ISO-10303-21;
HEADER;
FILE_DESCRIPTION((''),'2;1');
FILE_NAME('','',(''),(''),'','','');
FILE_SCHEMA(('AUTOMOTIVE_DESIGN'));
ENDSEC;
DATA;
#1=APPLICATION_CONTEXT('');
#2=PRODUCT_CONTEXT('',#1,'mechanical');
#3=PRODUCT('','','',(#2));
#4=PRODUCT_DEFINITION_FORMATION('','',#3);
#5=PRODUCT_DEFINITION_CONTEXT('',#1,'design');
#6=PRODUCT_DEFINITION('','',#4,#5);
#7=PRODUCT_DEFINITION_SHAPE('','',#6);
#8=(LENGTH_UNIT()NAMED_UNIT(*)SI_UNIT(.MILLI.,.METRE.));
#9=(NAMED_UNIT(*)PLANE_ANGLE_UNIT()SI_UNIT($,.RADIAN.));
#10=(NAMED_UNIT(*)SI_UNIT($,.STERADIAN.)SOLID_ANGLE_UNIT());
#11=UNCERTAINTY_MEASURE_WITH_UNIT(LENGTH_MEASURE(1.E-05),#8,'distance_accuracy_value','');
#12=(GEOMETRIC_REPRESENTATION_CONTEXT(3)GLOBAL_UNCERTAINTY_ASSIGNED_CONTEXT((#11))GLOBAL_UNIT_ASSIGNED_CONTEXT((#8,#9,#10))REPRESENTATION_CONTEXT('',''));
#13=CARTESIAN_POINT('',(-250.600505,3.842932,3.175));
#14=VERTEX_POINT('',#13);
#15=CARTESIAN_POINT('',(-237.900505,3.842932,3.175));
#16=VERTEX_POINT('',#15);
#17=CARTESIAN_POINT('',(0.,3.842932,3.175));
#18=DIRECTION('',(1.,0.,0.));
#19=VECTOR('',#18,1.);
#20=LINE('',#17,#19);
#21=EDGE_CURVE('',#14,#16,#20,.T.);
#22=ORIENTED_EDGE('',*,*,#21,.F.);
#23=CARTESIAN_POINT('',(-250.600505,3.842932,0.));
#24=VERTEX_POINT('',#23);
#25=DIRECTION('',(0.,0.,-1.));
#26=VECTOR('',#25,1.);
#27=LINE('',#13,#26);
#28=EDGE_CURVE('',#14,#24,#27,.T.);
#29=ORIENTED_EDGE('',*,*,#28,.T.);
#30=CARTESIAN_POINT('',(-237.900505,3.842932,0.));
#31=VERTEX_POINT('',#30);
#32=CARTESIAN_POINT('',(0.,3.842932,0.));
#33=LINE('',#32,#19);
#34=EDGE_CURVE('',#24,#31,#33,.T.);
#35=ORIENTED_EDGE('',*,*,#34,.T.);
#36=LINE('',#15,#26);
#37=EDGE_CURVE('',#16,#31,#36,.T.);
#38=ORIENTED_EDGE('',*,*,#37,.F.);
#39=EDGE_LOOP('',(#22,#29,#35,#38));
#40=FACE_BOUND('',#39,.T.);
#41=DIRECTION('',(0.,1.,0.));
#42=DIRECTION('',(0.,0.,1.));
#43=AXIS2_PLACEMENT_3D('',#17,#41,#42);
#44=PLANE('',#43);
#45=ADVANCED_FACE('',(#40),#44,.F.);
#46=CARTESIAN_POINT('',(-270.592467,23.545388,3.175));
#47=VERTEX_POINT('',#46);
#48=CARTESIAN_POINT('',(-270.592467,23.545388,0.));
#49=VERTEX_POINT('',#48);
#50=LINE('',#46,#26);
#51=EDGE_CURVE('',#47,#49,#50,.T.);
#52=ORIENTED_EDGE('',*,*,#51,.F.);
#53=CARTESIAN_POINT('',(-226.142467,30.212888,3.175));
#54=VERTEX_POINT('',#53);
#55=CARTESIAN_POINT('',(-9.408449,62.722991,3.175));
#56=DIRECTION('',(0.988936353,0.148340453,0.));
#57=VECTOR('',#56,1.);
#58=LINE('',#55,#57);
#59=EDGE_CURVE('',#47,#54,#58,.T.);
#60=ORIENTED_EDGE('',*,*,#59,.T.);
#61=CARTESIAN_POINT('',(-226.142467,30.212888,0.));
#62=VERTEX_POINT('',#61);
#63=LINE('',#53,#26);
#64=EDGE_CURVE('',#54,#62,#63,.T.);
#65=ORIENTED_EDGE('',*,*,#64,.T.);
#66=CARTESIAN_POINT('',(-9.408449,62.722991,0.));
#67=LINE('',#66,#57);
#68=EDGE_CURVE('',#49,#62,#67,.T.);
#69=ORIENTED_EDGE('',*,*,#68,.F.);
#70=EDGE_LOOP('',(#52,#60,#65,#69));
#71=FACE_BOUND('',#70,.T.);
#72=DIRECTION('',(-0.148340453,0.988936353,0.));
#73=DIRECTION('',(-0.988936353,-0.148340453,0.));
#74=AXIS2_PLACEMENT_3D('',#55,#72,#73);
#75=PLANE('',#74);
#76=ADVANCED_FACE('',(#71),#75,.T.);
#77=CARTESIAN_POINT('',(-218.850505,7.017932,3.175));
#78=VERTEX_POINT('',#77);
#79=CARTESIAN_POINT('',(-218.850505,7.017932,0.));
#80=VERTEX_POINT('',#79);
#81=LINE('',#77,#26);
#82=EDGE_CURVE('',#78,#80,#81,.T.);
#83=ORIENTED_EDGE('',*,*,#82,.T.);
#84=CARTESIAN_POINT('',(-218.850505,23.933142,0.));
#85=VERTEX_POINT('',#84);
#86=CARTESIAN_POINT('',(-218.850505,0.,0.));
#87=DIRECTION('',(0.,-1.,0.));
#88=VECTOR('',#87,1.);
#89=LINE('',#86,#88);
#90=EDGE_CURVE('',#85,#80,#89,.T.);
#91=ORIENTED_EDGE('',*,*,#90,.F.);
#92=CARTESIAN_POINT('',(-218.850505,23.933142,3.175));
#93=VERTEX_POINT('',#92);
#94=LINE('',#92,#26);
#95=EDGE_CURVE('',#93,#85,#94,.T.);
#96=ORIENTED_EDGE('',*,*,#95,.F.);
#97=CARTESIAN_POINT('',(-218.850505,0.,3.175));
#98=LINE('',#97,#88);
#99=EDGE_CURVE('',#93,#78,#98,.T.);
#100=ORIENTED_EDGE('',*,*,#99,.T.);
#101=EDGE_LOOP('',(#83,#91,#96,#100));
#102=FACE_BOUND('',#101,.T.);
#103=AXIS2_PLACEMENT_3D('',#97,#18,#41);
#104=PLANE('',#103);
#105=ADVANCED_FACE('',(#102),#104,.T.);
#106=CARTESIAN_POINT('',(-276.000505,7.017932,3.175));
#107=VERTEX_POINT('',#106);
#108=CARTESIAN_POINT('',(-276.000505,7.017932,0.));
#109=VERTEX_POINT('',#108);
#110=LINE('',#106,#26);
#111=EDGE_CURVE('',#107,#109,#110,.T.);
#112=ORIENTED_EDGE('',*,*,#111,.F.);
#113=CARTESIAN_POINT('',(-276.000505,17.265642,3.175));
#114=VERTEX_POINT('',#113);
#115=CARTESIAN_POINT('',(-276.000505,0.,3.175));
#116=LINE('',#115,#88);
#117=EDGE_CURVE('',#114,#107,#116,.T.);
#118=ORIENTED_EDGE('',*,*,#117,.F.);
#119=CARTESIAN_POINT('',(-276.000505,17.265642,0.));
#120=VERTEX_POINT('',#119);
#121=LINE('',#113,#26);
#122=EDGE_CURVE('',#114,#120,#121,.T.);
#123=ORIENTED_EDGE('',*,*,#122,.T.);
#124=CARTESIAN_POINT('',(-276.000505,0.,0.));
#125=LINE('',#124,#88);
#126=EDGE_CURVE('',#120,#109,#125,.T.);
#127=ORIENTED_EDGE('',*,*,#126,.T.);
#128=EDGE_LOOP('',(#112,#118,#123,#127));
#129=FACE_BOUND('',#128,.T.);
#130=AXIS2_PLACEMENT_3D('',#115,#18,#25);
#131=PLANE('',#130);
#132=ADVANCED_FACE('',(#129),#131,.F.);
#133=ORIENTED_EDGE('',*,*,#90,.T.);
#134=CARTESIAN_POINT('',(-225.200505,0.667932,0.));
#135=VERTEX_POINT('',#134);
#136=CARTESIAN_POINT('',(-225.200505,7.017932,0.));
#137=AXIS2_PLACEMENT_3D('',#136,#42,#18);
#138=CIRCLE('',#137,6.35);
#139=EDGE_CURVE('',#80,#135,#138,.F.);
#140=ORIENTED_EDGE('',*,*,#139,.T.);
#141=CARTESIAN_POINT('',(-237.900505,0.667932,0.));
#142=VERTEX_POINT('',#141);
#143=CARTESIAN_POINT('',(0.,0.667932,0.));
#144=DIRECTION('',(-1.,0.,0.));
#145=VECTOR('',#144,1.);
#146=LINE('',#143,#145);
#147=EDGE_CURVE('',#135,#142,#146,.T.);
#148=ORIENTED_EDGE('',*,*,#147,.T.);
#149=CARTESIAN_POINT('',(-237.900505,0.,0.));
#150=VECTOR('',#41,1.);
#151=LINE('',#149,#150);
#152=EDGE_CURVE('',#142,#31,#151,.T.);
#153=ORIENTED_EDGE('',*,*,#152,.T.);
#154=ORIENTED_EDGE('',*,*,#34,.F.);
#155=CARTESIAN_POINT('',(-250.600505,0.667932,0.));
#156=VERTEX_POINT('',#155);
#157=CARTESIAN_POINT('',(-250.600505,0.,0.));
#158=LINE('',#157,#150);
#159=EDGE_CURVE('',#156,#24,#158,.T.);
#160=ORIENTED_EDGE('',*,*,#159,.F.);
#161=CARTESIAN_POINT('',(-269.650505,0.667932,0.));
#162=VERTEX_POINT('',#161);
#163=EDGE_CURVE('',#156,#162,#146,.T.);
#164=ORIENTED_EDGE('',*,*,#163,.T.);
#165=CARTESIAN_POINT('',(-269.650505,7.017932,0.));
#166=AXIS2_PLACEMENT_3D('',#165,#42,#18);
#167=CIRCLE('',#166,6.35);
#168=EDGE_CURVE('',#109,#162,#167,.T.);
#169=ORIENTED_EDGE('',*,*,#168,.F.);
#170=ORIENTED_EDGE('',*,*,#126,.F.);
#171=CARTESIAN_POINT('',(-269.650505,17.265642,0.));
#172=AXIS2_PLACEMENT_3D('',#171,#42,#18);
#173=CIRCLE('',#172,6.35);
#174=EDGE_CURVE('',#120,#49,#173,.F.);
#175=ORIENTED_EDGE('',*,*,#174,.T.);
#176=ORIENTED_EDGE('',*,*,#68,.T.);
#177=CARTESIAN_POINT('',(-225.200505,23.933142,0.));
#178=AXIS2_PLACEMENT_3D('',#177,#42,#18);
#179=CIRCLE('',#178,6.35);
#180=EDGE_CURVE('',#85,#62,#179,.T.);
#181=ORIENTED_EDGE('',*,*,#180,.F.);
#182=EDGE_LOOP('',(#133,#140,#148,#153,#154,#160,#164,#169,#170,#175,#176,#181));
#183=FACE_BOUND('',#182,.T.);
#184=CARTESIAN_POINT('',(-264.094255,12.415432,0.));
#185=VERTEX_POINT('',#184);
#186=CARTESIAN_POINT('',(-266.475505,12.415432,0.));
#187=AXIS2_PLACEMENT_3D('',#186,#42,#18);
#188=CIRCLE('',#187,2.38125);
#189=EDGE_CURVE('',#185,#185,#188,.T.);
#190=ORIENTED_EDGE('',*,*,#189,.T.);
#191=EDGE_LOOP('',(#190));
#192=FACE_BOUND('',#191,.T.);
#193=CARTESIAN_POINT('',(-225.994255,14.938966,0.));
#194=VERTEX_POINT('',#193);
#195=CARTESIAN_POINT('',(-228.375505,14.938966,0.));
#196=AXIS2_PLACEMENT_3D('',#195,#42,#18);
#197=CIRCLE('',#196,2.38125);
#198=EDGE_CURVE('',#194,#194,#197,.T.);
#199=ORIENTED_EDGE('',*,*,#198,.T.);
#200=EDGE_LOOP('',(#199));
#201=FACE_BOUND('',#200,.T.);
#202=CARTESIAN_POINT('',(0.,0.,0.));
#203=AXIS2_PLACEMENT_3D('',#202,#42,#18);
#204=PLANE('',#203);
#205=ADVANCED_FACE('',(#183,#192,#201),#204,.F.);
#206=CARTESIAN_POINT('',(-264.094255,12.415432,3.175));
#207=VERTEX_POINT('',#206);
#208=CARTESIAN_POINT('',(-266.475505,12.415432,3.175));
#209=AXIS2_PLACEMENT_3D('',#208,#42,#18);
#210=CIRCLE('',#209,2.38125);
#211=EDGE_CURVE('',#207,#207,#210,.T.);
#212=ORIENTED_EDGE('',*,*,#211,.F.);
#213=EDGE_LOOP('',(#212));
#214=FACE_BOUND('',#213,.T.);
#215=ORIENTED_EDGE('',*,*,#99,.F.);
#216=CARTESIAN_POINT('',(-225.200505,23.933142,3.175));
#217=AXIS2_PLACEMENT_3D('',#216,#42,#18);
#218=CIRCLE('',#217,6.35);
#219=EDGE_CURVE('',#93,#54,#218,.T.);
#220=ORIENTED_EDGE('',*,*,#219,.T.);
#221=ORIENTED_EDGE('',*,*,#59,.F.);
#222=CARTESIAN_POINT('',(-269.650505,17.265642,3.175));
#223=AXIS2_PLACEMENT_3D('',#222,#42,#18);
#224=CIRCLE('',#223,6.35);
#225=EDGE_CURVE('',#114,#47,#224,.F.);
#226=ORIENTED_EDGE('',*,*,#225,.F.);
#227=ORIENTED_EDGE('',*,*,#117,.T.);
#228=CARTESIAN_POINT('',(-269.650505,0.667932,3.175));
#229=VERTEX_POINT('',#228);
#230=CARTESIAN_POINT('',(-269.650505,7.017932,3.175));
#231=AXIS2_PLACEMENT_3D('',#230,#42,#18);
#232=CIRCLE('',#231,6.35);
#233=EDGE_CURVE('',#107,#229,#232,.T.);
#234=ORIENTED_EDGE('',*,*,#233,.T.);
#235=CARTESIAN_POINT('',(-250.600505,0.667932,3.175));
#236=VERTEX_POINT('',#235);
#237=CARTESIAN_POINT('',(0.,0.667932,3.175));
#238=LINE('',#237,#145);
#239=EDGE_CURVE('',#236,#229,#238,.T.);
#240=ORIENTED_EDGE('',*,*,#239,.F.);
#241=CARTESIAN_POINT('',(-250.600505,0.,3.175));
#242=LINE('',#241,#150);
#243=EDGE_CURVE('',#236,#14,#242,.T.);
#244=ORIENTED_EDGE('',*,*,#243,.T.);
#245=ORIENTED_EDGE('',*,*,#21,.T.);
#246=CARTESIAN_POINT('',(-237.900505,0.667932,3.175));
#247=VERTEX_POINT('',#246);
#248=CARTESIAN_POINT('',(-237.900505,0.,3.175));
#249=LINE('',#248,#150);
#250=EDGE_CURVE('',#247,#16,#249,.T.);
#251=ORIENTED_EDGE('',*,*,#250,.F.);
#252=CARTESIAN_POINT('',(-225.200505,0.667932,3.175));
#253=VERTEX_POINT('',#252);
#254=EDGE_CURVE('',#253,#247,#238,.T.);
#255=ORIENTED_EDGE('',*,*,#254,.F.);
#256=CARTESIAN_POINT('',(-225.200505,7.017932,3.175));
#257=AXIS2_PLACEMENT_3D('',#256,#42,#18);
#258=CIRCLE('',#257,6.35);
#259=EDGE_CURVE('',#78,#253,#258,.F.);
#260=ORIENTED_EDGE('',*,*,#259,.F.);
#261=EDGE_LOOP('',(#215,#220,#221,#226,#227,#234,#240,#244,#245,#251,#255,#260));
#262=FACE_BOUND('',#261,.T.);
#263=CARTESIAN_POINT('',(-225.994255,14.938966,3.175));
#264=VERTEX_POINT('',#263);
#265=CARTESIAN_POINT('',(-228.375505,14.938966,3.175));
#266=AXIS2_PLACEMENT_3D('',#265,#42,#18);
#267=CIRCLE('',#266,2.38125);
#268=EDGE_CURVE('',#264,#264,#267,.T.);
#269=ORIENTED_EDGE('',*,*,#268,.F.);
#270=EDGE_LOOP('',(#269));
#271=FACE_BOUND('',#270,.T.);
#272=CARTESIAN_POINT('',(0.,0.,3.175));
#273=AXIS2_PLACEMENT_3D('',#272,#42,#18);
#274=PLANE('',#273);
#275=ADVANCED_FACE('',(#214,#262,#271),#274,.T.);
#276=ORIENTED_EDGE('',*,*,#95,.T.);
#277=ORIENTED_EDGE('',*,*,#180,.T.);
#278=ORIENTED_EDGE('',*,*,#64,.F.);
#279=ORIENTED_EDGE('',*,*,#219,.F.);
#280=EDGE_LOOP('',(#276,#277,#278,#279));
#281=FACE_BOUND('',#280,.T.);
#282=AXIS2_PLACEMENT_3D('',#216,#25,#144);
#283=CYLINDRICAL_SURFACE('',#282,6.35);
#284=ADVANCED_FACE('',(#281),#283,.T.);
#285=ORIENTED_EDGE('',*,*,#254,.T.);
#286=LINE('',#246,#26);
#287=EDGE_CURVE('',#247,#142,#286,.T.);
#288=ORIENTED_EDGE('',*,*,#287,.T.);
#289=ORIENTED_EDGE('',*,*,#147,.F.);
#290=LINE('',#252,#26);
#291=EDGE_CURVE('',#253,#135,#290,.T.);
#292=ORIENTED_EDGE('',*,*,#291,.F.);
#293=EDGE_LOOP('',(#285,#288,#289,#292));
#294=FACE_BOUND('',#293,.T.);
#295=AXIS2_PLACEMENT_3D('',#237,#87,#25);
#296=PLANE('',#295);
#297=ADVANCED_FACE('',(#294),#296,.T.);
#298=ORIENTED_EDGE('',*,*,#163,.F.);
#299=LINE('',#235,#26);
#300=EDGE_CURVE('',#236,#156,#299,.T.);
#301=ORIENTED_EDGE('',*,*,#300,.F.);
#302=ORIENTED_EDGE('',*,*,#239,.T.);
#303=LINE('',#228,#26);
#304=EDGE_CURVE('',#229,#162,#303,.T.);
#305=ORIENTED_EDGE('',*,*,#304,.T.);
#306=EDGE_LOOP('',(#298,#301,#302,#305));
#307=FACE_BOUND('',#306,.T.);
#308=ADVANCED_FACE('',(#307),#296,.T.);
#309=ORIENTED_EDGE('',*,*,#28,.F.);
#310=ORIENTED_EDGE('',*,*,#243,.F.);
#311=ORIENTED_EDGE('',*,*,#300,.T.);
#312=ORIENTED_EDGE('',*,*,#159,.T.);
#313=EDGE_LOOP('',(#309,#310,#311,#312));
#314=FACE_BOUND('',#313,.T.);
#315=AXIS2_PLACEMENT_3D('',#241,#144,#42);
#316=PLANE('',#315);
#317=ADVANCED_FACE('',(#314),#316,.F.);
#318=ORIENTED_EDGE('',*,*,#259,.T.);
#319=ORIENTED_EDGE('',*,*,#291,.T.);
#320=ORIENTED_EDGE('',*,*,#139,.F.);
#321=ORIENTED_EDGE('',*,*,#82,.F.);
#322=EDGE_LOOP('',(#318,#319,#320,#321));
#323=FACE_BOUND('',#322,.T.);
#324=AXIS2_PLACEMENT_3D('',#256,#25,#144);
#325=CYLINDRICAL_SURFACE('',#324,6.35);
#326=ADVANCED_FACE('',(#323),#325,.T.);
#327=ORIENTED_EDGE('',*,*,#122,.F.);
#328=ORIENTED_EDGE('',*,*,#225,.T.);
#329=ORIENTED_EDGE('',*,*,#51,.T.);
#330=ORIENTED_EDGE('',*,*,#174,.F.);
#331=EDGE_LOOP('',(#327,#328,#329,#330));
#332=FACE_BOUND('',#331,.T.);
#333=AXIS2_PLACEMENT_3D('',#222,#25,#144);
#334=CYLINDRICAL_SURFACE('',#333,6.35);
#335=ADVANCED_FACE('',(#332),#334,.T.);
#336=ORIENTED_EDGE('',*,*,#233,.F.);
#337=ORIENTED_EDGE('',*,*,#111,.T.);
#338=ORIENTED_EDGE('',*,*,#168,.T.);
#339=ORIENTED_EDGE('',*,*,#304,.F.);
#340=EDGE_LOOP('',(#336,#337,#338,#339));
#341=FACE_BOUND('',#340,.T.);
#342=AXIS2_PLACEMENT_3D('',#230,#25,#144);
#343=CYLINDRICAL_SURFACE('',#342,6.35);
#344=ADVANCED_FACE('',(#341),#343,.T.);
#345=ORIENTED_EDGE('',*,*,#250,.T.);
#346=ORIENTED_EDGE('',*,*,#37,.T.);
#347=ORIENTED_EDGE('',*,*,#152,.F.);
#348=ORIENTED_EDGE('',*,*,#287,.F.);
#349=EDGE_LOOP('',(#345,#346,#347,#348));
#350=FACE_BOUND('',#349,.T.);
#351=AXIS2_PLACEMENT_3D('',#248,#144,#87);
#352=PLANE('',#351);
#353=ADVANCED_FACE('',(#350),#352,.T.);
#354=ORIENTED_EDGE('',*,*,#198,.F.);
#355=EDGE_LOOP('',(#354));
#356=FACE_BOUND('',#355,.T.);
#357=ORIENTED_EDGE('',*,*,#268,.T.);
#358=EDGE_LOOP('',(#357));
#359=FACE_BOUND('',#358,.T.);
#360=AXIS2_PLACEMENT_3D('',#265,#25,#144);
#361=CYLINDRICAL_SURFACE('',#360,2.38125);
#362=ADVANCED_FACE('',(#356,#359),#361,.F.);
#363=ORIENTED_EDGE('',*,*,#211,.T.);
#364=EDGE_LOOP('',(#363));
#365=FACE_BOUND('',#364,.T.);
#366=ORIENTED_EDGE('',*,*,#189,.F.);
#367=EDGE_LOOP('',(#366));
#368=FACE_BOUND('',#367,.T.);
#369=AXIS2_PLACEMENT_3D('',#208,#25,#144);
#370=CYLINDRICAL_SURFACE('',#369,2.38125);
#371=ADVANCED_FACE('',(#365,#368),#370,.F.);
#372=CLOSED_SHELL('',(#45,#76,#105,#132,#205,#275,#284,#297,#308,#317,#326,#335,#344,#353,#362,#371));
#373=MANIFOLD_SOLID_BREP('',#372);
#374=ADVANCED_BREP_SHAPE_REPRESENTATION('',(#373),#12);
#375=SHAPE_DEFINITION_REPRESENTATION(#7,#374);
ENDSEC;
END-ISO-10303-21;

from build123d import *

# Parameters (mm, degrees)
BOSS_EXTRUDE1_DEPTH = 3.175


with BuildPart() as part:
    # Sketch1 → Boss-Extrude1 (new body)
    with BuildSketch(Plane.XY):
        with BuildLine():
            Line((-266.475505146, 24.162932081), (-270.592467022, 23.5453878))
            ThreePointArc((-270.592467022, 23.5453878), (-274.462155482, 21.409374702), (-276.000505146, 17.265641959))
            Line((-276.000505146, 17.265641959), (-276.000505146, 7.017932081))
            ThreePointArc((-276.000505146, 7.017932081), (-274.140633206, 2.527804021), (-269.650505146, 0.667932081))
            Line((-269.650505146, 0.667932081), (-266.475505146, 0.667932081))
            Line((-266.475505146, 0.667932081), (-266.475505146, 10.034182081))
            ThreePointArc((-266.475505146, 10.034182081), (-268.856755146, 12.415432081), (-266.475505146, 14.796682081))
            Line((-266.475505146, 14.796682081), (-266.475505146, 24.162932081))
        make_face()
        with BuildLine():
            Line((-228.375505146, 29.877932081), (-266.475505146, 24.162932081))
            Line((-266.475505146, 24.162932081), (-266.475505146, 14.796682081))
            ThreePointArc((-266.475505146, 14.796682081), (-264.791707123, 14.099230104), (-264.094255146, 12.415432081))
            ThreePointArc((-264.094255146, 12.415432081), (-264.791707123, 10.731634059), (-266.475505146, 10.034182081))
            Line((-266.475505146, 10.034182081), (-266.475505146, 0.667932081))
            Line((-266.475505146, 0.667932081), (-250.600505146, 0.667932081))
            Line((-250.600505146, 0.667932081), (-250.600505146, 3.842932081))
            Line((-250.600505146, 3.842932081), (-237.900505146, 3.842932081))
            Line((-237.900505146, 3.842932081), (-237.900505146, 0.667932081))
            Line((-237.900505146, 0.667932081), (-228.375505146, 0.667932081))
            Line((-228.375505146, 0.667932081), (-228.375505146, 12.557716041))
            ThreePointArc((-228.375505146, 12.557716041), (-230.756755146, 14.938966041), (-228.375505146, 17.320216041))
            Line((-228.375505146, 17.320216041), (-228.375505146, 29.877932081))
        make_face()
        with BuildLine():
            Line((-226.142467022, 30.2128878), (-228.375505146, 29.877932081))
            Line((-228.375505146, 29.877932081), (-228.375505146, 17.320216041))
            ThreePointArc((-228.375505146, 17.320216041), (-226.691707123, 16.622764063), (-225.994255146, 14.938966041))
            ThreePointArc((-225.994255146, 14.938966041), (-226.691707123, 13.255168018), (-228.375505146, 12.557716041))
            Line((-228.375505146, 12.557716041), (-228.375505146, 0.667932081))
            Line((-228.375505146, 0.667932081), (-225.200505146, 0.667932081))
            ThreePointArc((-225.200505146, 0.667932081), (-220.710377085, 2.527804021), (-218.850505146, 7.017932081))
            Line((-218.850505146, 7.017932081), (-218.850505146, 23.933141959))
            ThreePointArc((-218.850505146, 23.933141959), (-221.056772403, 28.744792295), (-226.142467022, 30.2128878))
        make_face()
    extrude(amount=BOSS_EXTRUDE1_DEPTH)


solid = part.part
